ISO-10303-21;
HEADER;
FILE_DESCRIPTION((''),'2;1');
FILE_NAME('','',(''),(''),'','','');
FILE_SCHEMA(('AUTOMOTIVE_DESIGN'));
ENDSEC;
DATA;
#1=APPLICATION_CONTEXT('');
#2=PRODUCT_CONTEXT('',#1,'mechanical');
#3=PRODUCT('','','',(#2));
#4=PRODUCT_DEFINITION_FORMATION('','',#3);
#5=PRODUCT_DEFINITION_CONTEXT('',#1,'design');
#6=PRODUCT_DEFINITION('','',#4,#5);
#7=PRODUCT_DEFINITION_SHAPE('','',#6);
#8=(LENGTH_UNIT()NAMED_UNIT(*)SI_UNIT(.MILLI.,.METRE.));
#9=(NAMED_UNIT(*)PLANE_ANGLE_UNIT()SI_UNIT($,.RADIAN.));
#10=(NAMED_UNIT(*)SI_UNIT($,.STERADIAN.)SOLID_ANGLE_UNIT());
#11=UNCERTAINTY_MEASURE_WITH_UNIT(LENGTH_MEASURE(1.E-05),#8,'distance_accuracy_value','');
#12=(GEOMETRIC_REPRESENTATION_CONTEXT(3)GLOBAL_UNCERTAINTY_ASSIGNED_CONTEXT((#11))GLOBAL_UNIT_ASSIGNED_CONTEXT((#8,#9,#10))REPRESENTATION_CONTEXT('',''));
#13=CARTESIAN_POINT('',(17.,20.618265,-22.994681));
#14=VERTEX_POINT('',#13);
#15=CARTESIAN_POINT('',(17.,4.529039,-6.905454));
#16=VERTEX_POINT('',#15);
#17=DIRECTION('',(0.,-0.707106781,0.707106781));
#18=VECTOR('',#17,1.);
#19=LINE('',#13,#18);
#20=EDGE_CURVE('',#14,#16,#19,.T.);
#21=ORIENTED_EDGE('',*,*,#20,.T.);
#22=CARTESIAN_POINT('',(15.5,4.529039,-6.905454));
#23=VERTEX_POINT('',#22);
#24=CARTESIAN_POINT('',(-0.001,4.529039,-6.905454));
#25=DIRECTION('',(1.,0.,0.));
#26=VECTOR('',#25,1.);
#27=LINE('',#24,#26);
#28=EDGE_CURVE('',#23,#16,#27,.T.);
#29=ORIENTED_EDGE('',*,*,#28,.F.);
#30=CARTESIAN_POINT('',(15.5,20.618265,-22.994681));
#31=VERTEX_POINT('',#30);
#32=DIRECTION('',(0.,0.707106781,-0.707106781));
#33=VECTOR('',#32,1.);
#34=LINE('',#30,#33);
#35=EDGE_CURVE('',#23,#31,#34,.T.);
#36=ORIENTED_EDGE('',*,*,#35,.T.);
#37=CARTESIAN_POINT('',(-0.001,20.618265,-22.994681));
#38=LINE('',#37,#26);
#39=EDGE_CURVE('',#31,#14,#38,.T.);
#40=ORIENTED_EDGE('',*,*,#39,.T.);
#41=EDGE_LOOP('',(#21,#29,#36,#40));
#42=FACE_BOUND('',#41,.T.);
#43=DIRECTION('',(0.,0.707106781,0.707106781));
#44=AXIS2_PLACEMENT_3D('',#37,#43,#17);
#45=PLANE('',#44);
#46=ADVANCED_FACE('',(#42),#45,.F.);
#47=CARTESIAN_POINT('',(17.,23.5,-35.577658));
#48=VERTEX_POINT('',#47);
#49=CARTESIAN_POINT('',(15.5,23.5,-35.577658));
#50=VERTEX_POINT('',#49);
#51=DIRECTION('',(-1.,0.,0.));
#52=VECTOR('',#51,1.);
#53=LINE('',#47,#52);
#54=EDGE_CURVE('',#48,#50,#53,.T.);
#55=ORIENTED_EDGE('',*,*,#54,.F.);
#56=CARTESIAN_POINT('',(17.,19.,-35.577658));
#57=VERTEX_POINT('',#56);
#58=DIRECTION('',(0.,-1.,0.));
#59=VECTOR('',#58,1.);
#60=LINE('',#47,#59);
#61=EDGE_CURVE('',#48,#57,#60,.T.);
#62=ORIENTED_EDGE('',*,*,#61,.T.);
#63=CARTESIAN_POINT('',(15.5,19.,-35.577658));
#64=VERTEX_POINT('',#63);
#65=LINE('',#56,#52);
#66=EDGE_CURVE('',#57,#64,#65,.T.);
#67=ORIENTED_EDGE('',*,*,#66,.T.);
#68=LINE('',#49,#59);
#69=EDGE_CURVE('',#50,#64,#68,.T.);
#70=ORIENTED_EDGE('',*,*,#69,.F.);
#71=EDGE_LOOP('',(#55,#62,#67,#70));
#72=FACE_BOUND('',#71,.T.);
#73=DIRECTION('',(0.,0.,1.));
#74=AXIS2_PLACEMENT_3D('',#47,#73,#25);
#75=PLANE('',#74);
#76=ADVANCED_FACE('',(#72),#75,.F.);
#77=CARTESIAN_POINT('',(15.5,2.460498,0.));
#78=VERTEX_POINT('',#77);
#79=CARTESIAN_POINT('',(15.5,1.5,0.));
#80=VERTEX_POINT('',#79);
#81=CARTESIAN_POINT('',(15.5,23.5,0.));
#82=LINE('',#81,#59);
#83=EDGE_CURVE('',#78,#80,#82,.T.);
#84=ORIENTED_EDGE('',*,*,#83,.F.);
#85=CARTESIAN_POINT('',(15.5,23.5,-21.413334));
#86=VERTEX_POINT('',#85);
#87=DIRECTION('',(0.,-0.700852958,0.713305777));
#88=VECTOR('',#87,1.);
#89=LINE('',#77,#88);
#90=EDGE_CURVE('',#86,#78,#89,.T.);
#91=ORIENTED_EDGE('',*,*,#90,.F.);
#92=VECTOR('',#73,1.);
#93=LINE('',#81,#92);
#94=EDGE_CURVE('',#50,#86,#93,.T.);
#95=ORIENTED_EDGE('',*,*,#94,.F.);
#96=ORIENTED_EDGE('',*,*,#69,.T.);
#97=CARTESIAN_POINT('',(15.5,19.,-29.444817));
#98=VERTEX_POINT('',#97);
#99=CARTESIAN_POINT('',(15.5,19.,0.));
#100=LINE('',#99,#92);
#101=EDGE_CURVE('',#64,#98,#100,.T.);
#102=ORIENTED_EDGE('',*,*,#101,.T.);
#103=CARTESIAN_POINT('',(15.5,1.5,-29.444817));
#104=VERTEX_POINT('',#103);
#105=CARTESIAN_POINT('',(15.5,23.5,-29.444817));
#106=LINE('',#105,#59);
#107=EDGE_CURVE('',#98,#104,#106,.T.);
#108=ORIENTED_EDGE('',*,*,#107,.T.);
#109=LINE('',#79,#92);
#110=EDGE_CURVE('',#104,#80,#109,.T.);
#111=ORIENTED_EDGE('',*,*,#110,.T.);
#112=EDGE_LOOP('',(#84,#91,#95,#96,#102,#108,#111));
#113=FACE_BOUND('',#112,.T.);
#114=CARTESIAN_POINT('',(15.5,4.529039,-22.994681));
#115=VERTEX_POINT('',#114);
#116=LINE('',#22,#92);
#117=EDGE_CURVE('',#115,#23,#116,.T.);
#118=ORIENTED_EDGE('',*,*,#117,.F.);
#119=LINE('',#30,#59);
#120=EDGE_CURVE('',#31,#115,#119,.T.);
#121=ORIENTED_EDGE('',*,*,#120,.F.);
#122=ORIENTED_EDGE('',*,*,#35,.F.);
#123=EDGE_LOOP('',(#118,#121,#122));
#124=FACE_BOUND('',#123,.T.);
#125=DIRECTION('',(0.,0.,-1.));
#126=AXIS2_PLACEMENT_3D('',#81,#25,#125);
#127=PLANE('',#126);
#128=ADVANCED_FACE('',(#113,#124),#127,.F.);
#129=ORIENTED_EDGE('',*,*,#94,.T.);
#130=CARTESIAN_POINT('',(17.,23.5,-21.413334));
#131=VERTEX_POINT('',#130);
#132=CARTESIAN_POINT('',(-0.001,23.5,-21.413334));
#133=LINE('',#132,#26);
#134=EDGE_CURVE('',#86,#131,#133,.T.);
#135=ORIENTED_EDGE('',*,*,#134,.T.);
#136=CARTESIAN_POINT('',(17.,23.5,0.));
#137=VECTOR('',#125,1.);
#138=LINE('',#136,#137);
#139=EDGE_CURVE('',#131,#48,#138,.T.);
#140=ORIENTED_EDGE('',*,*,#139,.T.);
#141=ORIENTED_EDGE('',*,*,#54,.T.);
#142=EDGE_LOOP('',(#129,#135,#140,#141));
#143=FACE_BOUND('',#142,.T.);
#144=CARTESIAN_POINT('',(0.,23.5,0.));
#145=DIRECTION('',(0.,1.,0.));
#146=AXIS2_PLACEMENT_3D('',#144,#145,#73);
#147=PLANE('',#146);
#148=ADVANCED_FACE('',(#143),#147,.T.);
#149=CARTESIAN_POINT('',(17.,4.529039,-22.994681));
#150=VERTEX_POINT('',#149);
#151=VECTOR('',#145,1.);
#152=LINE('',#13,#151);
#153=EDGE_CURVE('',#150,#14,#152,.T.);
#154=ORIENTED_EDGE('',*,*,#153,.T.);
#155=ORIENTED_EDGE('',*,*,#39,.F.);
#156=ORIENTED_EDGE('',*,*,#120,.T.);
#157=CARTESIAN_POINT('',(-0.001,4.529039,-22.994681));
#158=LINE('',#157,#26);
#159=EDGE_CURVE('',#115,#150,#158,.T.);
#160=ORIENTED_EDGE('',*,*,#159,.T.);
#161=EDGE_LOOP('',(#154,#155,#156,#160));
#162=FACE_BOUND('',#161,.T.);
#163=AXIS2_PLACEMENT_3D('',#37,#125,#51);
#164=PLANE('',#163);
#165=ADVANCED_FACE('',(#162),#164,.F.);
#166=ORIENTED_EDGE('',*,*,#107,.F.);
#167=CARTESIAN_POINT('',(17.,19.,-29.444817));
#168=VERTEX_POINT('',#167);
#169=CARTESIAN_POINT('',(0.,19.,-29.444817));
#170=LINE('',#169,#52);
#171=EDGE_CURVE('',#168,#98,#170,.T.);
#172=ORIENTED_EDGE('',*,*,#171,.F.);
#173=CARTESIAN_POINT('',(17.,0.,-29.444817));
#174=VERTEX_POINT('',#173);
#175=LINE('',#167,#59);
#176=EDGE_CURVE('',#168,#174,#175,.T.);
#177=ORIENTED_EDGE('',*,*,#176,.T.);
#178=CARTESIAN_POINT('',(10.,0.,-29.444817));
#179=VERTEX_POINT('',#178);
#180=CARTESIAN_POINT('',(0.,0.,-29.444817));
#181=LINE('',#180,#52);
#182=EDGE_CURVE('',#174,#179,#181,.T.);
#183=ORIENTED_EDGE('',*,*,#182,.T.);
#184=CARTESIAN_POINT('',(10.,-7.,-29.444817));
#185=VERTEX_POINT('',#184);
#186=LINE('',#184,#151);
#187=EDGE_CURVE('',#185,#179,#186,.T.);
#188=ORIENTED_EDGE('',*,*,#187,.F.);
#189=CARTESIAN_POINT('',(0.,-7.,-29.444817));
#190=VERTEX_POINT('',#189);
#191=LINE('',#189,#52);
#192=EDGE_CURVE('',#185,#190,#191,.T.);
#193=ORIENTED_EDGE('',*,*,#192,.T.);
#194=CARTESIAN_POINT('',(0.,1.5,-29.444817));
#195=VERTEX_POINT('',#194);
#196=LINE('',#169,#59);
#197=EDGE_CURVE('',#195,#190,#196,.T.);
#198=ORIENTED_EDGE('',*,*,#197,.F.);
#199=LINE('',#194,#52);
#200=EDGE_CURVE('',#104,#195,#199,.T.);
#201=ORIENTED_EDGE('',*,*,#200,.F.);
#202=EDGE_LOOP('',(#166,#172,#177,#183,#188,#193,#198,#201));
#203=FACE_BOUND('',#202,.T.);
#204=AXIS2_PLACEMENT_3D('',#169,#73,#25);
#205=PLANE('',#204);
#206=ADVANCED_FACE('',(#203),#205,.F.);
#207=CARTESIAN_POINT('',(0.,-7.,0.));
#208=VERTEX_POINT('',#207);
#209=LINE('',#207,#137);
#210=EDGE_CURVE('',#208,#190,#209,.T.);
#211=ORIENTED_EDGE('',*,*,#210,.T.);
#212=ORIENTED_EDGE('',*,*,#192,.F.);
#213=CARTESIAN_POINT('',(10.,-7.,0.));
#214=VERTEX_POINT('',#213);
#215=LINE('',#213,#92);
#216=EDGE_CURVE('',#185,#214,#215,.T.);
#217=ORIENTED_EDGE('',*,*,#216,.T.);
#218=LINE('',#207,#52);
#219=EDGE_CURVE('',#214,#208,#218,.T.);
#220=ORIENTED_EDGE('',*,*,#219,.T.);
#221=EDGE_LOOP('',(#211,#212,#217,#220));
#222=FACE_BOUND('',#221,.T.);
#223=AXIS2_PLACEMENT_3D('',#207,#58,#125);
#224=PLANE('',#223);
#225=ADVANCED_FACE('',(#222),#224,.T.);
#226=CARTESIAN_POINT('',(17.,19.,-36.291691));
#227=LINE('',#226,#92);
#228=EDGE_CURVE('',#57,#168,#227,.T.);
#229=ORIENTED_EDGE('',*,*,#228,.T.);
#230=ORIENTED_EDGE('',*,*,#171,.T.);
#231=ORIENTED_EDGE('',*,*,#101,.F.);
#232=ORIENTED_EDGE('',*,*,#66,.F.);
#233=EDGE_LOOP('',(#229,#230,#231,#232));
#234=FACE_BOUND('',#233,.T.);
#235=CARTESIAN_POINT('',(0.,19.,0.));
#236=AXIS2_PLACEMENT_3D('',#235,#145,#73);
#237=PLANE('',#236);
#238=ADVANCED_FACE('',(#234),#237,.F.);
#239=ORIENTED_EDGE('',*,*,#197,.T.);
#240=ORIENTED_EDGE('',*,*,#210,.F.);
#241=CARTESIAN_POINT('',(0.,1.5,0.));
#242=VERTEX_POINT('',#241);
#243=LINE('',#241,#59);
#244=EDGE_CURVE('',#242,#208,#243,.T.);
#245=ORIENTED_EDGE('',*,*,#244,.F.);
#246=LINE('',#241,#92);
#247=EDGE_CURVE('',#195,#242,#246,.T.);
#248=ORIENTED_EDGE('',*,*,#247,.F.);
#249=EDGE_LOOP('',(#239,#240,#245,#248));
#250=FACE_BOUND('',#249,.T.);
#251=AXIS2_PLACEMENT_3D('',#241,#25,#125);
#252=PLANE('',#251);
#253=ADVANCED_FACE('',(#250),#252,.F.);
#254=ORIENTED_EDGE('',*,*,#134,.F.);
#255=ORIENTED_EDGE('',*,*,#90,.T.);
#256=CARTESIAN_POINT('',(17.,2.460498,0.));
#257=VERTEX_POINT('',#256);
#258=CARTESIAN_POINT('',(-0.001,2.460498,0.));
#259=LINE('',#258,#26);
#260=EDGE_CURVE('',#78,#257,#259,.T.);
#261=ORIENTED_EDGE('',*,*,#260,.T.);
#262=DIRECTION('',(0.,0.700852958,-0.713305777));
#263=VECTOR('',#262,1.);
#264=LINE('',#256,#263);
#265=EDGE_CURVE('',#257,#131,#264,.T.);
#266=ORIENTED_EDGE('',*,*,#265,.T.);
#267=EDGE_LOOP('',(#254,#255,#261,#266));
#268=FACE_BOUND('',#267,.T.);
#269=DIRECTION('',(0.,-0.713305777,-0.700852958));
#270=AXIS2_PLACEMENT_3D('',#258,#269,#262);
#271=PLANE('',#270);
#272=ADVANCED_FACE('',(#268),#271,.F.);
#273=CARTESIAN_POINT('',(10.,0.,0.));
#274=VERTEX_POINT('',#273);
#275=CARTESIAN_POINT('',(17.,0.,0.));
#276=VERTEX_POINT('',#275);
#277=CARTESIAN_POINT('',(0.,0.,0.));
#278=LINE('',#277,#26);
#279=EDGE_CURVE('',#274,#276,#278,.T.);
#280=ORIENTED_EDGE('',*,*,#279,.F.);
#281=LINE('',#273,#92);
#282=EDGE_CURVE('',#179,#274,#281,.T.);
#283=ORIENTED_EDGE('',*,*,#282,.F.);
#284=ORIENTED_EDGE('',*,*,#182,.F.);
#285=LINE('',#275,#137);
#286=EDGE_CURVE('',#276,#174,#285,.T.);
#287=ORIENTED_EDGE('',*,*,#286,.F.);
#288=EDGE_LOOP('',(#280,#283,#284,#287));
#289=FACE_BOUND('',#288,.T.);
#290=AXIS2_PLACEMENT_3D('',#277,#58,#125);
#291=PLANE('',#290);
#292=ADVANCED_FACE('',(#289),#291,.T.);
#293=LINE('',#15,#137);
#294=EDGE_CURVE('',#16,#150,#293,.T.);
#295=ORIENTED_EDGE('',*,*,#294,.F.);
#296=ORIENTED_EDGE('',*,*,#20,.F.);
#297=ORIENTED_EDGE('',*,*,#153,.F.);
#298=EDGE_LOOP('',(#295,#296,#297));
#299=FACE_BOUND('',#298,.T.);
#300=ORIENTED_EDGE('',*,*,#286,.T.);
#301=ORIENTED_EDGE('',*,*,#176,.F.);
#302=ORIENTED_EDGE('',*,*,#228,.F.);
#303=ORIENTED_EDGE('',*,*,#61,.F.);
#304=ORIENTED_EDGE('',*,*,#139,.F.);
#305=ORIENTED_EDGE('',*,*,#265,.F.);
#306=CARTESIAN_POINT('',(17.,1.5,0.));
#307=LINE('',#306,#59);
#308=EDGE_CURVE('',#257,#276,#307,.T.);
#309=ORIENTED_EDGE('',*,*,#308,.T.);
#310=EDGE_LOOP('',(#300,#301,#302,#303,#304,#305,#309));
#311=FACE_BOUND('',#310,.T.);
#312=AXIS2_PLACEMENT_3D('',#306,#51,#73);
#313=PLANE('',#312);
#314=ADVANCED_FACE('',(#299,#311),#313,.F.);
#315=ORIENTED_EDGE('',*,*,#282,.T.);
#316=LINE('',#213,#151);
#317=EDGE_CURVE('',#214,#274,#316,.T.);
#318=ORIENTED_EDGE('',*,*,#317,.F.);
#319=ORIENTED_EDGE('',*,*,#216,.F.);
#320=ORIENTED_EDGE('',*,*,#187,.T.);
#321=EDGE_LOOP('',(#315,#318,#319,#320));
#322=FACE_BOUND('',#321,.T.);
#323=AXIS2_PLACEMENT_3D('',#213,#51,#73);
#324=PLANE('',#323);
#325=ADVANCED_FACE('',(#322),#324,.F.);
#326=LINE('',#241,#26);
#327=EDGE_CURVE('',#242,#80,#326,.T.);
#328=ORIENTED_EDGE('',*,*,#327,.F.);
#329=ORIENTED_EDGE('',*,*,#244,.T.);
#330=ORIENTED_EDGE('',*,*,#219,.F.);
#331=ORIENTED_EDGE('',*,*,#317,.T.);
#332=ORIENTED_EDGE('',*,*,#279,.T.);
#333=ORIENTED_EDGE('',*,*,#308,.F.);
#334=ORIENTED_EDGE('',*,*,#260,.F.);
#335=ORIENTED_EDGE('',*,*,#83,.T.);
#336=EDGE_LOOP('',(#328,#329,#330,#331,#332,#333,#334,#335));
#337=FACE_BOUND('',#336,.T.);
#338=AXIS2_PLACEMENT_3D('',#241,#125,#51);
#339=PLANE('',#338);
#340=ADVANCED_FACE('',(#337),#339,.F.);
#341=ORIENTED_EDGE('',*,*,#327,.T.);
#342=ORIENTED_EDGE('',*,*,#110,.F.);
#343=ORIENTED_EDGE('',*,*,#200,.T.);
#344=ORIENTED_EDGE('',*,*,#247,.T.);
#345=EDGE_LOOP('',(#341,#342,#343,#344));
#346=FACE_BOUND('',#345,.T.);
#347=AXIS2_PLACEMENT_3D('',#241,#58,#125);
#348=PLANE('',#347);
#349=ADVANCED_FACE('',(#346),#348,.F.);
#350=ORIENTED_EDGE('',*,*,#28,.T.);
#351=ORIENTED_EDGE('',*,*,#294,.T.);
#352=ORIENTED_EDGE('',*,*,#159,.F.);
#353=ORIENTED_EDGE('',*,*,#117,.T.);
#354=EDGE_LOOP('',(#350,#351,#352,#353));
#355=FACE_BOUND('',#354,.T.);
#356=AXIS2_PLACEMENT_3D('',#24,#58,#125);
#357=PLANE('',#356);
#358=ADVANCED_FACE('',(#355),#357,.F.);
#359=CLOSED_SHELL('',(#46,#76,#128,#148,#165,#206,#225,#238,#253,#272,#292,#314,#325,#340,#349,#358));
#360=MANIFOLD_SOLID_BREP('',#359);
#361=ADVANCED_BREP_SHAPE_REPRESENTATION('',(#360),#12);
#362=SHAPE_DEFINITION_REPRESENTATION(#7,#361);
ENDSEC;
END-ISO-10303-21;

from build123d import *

# Parameters (mm, degrees)
SKETCH_2_W          = 17
SKETCH_2_H          = 35
EXTRUDE_1_DEPTH     = 1.5
SKETCH_3_W          = 10
SKETCH_3_H          = 35
EXTRUDE_2_DEPTH     = 7
SKETCH_4_W          = 1.5
SKETCH_4_H          = 35.577657925
EXTRUDE_3_DEPTH     = 22
CUT_EXTRUDE_1_REACH = 47.902
CUT_EXTRUDE_2_REACH = 47.902
SKETCH_11_W         = 17
SKETCH_11_H         = 6.846873931
CUT_EXTRUDE_7_DEPTH = 26


with BuildPart() as part:
    # 草图2 → 凸台-拉伸1 (new body)
    with BuildSketch(Plane(origin=(0, 0, 0), x_dir=(1, 0, 0), z_dir=(0, 1, 0))):
        with Locations((8.5, 17.5)):
            Rectangle(SKETCH_2_W, SKETCH_2_H)
    extrude(amount=EXTRUDE_1_DEPTH)

    # 草图3 → 凸台-拉伸2 (add)
    with BuildSketch(Plane.XZ):
        with Locations((5, -17.5)):
            Rectangle(SKETCH_3_W, SKETCH_3_H)
    extrude(amount=EXTRUDE_2_DEPTH)

    # 草图4 → 凸台-拉伸3 (add)
    with BuildSketch(Plane(origin=(0, 1.5, 0), x_dir=(1, 0, 0), z_dir=(0, 1, 0))):
        with Locations((16.25, 17.788828963)):
            Rectangle(SKETCH_4_W, SKETCH_4_H)
    extrude(amount=EXTRUDE_3_DEPTH)

    # 草图7 → 切除-拉伸1 (cut, up to next)
    with BuildSketch(Plane(origin=(17, 0, 0), x_dir=(0, 0, -1), z_dir=(1, 0, 0)), mode=Mode.PRIVATE) as cut_extrude_1_sk1:
        Polygon((0, 23.5), (0, 2.460497923), (21.413333868, 23.5), align=None)
    cut_extrude_1_tool1 = extrude(cut_extrude_1_sk1.sketch, amount=-CUT_EXTRUDE_1_REACH, mode=Mode.PRIVATE) & part.part
    add(cut_extrude_1_tool1.solids().sort_by_distance((17, 16.486833, -7.137778))[0], mode=Mode.SUBTRACT)

    # 草图8 → 切除-拉伸2 (cut, up to next)
    with BuildSketch(Plane(origin=(17, 0, 0), x_dir=(0, 0, -1), z_dir=(1, 0, 0)), mode=Mode.PRIVATE) as cut_extrude_2_sk1:
        Polygon((22.994680785, 20.618265403), (6.90545418, 4.529038798), (22.994680785, 4.529038798), align=None)
    cut_extrude_2_tool1 = extrude(cut_extrude_2_sk1.sketch, amount=-CUT_EXTRUDE_2_REACH, mode=Mode.PRIVATE) & part.part
    add(cut_extrude_2_tool1.solids().sort_by_distance((17, 9.892114, -17.631605))[0], mode=Mode.SUBTRACT)

    # 草图11 → 切除-拉伸7 (cut)
    with BuildSketch(Plane.XZ.offset(7)):
        with Locations((8.5, -32.86825369)):
            Rectangle(SKETCH_11_W, SKETCH_11_H)
    extrude(amount=-CUT_EXTRUDE_7_DEPTH, mode=Mode.SUBTRACT)


solid = part.part
